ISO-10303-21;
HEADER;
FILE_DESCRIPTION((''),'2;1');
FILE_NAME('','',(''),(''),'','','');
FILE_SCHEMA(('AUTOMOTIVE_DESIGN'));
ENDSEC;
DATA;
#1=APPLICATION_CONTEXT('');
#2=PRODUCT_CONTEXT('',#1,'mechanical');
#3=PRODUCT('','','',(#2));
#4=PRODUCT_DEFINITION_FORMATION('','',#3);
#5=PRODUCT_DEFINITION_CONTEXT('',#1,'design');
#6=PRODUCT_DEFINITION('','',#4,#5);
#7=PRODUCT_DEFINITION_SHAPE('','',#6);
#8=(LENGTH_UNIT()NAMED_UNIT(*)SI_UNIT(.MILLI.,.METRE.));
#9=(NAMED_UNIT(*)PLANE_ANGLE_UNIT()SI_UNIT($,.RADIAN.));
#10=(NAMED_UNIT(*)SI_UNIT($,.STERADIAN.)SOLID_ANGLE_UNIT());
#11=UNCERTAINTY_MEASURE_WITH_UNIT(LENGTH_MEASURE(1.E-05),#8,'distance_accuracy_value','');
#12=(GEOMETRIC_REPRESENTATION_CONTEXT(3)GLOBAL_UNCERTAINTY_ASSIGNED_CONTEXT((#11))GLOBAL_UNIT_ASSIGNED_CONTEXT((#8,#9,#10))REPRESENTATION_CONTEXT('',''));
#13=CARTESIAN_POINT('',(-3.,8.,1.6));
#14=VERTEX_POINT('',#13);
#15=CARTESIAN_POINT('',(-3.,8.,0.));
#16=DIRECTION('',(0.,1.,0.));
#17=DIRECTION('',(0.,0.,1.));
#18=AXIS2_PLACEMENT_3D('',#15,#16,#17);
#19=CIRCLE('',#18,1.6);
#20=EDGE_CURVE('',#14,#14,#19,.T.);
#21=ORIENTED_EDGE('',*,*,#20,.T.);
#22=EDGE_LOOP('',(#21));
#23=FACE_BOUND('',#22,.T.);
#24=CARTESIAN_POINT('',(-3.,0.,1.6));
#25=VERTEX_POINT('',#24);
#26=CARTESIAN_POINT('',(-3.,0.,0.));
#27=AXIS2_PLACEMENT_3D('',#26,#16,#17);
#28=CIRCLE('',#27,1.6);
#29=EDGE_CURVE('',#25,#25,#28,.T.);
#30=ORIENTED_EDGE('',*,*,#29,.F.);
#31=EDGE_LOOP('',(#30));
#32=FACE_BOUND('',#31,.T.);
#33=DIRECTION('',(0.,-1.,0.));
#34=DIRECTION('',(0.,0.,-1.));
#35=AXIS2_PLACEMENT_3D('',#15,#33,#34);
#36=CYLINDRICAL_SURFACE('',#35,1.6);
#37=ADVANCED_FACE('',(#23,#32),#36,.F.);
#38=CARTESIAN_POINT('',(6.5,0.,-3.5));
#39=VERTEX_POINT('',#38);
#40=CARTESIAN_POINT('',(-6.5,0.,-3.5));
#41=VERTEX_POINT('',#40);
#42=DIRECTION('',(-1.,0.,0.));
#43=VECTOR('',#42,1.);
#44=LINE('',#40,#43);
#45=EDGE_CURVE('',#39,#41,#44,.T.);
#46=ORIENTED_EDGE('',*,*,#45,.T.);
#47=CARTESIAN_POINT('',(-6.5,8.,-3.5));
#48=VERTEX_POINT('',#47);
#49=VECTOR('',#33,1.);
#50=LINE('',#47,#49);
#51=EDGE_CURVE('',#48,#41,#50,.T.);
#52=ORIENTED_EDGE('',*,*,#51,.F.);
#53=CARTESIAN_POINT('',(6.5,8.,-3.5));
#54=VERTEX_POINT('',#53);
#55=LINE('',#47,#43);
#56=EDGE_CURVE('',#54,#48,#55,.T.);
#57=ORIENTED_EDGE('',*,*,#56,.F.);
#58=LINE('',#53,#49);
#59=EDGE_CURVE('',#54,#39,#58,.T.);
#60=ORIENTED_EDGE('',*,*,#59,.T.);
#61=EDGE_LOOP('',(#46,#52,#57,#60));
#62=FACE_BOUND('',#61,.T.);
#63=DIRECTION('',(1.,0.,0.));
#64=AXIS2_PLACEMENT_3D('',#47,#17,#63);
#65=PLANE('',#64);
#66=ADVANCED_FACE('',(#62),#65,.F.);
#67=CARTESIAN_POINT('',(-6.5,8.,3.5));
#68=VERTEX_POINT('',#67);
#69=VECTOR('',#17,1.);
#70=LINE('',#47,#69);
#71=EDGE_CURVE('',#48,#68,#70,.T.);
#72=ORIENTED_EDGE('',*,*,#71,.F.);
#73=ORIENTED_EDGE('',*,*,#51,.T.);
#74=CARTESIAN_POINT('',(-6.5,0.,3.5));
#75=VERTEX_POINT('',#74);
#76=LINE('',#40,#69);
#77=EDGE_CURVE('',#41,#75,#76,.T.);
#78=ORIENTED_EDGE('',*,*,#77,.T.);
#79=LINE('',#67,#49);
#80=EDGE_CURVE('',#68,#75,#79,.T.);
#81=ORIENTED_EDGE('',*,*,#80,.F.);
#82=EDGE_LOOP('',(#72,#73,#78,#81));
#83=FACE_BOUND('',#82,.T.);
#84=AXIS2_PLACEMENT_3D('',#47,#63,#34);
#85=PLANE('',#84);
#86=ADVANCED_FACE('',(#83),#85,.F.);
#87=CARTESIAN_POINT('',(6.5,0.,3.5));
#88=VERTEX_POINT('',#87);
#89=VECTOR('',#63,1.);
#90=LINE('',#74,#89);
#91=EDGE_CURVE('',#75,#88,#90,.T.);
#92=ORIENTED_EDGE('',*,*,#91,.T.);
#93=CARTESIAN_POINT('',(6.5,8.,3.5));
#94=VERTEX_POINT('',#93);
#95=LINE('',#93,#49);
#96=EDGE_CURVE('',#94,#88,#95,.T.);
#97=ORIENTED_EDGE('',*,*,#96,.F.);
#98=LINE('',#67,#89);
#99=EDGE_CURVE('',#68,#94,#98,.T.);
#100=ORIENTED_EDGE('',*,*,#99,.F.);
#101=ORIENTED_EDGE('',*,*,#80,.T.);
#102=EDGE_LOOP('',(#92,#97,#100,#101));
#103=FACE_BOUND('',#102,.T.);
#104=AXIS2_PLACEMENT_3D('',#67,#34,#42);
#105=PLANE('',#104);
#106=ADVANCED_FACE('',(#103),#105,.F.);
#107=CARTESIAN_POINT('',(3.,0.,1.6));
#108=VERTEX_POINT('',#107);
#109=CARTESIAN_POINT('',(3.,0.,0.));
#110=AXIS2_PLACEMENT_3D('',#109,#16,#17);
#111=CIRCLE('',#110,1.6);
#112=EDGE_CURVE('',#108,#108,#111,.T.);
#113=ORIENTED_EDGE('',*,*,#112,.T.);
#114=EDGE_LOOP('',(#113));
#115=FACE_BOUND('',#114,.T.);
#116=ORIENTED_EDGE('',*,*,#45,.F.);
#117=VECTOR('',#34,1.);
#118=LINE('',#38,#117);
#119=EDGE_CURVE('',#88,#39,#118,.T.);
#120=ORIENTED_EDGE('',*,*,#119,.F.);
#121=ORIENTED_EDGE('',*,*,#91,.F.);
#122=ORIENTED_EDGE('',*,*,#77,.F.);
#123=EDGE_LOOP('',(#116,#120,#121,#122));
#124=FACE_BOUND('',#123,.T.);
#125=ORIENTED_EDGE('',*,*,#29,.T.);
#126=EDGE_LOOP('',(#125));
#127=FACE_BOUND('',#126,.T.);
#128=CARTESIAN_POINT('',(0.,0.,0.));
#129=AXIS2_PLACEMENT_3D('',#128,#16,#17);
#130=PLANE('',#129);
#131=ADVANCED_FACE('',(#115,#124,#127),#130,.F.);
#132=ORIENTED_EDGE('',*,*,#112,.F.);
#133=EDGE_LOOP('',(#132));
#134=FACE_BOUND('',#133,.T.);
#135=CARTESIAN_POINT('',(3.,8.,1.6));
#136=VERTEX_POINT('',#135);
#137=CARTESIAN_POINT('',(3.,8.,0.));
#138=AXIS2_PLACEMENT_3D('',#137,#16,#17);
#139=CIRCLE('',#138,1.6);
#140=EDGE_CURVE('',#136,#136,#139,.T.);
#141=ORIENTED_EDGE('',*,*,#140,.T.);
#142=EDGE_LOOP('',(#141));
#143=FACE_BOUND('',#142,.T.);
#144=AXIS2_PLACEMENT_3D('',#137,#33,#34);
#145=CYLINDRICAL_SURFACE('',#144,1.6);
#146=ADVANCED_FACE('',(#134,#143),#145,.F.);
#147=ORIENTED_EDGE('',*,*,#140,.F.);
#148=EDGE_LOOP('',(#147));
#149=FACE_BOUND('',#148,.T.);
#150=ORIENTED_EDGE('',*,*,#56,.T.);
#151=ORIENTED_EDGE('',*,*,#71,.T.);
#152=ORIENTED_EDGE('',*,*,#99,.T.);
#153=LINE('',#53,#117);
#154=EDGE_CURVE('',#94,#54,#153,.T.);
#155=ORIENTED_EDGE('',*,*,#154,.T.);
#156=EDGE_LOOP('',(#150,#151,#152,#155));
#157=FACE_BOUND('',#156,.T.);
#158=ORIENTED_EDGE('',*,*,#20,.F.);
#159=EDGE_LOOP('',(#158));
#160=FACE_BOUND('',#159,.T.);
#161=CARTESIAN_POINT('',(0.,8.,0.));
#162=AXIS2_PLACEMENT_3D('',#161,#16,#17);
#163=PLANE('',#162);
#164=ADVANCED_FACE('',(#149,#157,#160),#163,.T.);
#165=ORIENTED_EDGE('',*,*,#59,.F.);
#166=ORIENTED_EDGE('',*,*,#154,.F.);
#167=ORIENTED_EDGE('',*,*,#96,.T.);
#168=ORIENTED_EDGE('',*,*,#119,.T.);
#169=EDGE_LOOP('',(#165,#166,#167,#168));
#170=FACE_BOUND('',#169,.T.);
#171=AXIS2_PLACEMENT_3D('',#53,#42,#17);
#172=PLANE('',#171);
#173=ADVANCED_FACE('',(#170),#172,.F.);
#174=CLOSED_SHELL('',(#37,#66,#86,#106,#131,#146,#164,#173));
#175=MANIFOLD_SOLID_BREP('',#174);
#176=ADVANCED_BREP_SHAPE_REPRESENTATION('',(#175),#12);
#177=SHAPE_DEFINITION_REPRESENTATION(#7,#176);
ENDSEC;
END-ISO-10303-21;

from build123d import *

# Parameters (mm, degrees)
SKETCH2_W           = 13
SKETCH2_H           = 7
SKETCH2_R           = 1.6
BOSS_EXTRUDE1_DEPTH = 8


with BuildPart() as part:
    # Sketch2 → Boss-Extrude1 (new body)
    with BuildSketch(Plane(origin=(0, 0, 0), x_dir=(1, 0, 0), z_dir=(0, 1, 0))):
        Rectangle(SKETCH2_W, SKETCH2_H)
        with Locations(Location((-3, 0, 0), (0, 0, 270))):
            Circle(SKETCH2_R, mode=Mode.SUBTRACT)
        with Locations(Location((3, 0, 0), (0, 0, 270))):
            Circle(SKETCH2_R, mode=Mode.SUBTRACT)
    extrude(amount=BOSS_EXTRUDE1_DEPTH)


solid = part.part
